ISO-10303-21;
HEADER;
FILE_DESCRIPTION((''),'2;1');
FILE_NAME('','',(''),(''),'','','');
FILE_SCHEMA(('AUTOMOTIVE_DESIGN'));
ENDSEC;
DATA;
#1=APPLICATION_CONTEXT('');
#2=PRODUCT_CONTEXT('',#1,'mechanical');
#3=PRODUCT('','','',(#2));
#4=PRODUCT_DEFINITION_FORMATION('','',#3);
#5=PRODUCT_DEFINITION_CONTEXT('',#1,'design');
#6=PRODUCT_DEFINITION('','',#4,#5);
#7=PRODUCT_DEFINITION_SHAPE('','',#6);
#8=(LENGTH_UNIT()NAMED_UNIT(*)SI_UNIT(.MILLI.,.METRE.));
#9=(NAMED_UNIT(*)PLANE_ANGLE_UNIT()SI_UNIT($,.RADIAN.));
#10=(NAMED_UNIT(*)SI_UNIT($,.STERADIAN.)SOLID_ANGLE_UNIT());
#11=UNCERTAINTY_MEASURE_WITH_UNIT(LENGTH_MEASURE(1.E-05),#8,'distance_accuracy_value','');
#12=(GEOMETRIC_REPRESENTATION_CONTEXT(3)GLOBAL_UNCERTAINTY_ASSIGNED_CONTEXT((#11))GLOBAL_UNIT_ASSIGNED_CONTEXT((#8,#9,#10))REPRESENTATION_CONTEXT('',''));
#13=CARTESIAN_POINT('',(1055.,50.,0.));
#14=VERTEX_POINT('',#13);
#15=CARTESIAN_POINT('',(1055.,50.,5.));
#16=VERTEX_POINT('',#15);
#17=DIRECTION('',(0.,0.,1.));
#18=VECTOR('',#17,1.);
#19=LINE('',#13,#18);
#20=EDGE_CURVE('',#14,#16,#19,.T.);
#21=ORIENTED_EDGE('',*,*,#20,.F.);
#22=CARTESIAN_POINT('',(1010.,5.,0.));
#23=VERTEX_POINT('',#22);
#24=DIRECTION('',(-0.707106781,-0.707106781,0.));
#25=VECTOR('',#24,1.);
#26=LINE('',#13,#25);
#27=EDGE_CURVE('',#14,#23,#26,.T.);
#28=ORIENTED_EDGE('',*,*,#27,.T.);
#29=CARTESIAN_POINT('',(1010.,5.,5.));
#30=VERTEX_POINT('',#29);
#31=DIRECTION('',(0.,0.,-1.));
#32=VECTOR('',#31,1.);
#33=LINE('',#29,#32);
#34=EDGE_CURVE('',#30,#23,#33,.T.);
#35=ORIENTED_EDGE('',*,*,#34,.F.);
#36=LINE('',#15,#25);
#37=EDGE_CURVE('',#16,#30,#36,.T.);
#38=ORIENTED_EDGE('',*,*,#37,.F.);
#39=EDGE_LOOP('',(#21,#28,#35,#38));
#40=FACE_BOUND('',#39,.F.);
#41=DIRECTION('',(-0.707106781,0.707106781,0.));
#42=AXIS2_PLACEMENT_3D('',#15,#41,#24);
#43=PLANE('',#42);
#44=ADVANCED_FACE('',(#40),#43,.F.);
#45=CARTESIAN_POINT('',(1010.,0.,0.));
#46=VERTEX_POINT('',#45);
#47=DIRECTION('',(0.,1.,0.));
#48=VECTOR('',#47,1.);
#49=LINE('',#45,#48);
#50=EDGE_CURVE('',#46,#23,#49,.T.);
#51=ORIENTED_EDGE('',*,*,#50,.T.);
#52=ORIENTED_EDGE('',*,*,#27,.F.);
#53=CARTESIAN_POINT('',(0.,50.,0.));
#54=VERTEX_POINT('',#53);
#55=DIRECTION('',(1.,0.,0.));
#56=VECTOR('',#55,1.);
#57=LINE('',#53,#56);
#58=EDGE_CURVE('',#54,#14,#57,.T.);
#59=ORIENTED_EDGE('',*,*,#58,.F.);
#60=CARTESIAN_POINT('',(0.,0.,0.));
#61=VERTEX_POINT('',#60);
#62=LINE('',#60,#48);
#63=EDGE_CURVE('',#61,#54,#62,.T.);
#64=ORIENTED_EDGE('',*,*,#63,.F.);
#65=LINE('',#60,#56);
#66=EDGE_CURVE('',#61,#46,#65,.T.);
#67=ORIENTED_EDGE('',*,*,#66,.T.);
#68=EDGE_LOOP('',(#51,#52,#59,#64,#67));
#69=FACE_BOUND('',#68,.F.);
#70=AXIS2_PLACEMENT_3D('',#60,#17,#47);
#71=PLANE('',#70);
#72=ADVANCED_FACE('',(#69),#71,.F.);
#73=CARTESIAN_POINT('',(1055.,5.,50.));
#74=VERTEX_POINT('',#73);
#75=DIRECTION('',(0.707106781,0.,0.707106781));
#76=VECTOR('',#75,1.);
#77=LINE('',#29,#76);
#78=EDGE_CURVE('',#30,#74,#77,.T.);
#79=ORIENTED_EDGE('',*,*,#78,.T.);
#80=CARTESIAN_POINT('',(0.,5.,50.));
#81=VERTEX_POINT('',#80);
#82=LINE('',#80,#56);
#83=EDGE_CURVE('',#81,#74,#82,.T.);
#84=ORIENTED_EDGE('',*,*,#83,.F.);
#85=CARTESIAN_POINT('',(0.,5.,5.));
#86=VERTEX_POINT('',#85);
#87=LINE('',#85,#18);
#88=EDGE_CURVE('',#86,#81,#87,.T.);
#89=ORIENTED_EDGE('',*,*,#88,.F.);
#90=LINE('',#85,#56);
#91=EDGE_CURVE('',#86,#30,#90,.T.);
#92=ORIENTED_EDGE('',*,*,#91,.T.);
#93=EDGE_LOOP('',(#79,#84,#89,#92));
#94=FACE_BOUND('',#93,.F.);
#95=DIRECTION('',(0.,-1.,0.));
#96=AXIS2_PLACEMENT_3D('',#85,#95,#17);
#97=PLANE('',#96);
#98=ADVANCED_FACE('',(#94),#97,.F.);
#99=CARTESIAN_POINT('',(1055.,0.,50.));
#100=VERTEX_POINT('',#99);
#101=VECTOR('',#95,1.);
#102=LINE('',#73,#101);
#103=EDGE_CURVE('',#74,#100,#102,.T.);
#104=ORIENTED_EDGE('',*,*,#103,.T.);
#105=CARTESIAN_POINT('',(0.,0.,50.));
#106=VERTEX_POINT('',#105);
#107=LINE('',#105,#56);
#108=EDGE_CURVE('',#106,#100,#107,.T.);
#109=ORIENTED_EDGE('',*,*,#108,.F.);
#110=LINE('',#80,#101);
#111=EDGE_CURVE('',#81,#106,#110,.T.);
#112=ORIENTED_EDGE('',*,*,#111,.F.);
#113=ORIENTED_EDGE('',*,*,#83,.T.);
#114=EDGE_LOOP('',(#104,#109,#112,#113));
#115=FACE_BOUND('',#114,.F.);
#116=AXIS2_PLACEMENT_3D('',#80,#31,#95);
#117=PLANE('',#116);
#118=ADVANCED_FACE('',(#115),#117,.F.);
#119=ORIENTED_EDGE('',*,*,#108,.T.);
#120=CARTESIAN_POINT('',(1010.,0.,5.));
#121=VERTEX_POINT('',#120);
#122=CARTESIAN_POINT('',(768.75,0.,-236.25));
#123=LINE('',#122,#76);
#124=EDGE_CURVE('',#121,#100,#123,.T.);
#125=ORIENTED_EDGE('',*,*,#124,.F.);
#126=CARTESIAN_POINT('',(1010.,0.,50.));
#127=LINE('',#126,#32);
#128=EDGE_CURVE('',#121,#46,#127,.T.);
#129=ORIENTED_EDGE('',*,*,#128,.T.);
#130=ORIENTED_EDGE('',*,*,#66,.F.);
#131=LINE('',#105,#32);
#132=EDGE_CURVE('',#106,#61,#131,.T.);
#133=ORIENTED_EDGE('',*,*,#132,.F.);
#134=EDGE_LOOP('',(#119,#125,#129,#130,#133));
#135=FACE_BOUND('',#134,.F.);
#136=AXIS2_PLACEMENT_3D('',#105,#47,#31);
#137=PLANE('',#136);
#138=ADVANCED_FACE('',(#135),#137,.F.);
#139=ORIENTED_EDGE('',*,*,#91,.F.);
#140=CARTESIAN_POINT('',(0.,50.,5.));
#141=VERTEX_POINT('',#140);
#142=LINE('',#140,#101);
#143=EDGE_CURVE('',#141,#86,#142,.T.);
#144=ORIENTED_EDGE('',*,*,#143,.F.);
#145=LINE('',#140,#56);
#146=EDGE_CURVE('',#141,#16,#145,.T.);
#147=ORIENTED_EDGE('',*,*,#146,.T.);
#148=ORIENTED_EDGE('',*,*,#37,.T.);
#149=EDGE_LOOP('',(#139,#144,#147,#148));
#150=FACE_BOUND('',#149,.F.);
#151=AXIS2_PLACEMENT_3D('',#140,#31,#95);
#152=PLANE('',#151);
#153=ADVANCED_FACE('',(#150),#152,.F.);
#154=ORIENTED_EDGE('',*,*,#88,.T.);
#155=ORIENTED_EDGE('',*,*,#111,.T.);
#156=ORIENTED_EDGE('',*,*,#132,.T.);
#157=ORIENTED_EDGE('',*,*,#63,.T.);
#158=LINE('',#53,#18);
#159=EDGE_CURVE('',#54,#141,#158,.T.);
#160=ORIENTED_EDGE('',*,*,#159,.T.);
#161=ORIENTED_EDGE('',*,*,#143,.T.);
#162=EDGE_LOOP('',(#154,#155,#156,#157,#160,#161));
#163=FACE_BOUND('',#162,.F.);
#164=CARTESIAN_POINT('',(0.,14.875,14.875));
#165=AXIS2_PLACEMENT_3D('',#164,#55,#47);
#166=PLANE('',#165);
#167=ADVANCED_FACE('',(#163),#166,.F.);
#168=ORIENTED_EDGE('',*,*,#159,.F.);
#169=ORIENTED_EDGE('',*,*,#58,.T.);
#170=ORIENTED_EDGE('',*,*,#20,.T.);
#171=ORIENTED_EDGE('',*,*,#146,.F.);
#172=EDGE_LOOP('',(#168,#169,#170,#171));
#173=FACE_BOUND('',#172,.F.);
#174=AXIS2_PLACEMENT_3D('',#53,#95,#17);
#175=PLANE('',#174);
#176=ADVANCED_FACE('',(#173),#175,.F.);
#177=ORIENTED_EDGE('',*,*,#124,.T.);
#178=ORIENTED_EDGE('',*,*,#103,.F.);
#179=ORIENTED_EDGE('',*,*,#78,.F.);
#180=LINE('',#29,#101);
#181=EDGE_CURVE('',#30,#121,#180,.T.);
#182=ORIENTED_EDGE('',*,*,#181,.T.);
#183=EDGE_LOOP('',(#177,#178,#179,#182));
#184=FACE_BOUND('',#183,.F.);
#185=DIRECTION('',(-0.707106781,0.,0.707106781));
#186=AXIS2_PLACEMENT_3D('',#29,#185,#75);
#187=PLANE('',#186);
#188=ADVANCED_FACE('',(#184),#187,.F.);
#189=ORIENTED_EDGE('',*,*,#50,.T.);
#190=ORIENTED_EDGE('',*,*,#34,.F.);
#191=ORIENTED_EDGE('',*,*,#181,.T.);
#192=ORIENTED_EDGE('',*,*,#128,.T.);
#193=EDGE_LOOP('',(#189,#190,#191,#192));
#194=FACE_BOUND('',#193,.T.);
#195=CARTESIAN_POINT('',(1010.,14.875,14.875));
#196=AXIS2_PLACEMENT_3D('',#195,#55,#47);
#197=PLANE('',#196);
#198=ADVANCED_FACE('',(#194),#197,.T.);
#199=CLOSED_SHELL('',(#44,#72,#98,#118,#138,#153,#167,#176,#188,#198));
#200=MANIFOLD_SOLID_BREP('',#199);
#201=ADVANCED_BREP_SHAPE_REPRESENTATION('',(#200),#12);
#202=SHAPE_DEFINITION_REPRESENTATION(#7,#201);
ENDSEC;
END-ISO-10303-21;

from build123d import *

# Parameters (mm, degrees)
F1_DEPTH = 1055
F4_DEPTH = 5
F5_DEPTH = 25
F6_DEPTH = 45


with BuildPart() as f1:
    # F0 (on Right) → F1 (new body)
    with BuildSketch(Plane.YZ):
        Polygon((0, 50), (0, 0), (50, 0), (50, 5), (5, 5), (5, 50), align=None)
    extrude(amount=F1_DEPTH)

    # F3 (on face) → F4 (cut)
    with BuildSketch(Plane.XY.offset(5)):
        Polygon((1055, 5), (1055, 50), (1010, 5), align=None)
    extrude(amount=-F4_DEPTH, mode=Mode.SUBTRACT)

    # F2 (on face) → F5 (cut)
    with BuildSketch(Plane(origin=(0, 5, 0), x_dir=(-1, 0, 0), z_dir=(0, 1, 0))):
        Polygon((-1055, 5), (-1010, 5), (-1055, 50), align=None)
    extrude(amount=-F5_DEPTH, mode=Mode.SUBTRACT)

    # F6 (cut): a face of the model
    f6_faces = [f1.faces().sort_by_distance(p)[0] for p in [
        (1055, 2.5, 2.5),
    ]]
    extrude(f6_faces, amount=-F6_DEPTH, mode=Mode.SUBTRACT)


solid = f1.part
